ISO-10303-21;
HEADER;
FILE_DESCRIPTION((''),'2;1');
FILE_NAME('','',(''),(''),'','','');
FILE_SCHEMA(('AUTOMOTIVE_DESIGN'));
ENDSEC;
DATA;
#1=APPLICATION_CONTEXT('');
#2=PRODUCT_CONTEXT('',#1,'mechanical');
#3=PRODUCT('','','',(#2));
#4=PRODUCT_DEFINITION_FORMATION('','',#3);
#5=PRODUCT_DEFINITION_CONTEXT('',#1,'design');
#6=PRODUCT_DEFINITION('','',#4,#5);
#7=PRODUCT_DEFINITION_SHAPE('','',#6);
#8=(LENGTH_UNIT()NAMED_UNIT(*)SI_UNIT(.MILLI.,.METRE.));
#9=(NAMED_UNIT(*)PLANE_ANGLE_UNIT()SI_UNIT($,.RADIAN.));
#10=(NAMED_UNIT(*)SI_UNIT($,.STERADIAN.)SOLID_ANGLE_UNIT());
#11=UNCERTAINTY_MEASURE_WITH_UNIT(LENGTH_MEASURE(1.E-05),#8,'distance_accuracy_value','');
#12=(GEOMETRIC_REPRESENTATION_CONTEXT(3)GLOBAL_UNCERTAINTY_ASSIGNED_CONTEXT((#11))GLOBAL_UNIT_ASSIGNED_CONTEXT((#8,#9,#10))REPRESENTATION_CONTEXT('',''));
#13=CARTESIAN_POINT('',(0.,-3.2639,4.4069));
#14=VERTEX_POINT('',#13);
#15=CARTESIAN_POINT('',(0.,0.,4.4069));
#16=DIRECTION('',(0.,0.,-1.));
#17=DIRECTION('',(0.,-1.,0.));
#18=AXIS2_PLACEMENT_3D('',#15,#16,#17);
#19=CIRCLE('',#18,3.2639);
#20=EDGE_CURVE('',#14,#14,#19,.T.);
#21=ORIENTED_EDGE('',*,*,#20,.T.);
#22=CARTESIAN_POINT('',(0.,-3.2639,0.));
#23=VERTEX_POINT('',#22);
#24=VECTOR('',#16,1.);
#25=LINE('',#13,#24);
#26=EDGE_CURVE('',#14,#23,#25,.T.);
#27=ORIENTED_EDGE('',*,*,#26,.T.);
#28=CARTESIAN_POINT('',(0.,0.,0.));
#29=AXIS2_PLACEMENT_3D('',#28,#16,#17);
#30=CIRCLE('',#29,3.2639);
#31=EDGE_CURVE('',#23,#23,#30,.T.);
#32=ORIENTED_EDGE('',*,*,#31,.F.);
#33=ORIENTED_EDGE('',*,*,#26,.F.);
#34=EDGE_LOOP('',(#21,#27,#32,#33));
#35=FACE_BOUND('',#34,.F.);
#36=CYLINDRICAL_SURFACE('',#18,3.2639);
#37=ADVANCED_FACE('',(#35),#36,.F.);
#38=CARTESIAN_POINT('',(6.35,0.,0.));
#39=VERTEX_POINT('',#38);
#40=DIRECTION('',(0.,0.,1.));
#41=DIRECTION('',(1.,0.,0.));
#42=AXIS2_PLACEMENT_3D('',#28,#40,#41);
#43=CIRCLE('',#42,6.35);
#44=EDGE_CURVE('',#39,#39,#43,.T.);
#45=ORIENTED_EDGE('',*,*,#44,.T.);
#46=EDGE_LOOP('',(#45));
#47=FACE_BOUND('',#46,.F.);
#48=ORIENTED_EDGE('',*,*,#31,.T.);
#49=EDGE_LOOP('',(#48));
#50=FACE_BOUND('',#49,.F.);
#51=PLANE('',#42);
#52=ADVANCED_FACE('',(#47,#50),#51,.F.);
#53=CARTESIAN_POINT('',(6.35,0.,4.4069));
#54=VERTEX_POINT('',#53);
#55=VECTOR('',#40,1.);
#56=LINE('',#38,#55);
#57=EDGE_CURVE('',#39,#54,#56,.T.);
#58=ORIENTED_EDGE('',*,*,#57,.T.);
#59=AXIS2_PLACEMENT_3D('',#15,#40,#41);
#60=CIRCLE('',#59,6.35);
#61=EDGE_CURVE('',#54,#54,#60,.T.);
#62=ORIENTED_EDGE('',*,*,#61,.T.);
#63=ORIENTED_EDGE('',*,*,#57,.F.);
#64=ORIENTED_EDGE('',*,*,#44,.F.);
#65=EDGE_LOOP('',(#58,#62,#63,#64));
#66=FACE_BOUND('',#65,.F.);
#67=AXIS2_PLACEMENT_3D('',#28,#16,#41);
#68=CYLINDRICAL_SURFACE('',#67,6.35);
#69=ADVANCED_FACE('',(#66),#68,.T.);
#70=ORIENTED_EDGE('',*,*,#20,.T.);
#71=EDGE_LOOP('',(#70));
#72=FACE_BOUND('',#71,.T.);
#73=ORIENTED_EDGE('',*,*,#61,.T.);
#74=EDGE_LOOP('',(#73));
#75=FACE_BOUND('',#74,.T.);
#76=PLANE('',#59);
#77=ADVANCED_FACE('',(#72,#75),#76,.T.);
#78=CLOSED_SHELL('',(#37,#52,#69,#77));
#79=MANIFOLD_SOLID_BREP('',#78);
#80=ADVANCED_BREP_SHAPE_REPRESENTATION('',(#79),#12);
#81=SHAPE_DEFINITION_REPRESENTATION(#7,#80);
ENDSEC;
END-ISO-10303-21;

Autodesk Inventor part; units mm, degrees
ref_plane "YZ Plane" through (0, 0, 0) normal (1, 0, 0) x (0, 1, 0)
ref_plane "XZ Plane" through (0, 0, 0) normal (0, 1, 0) x (-1, 0, 0)
ref_plane "XY Plane" through (0, 0, 0) normal (0, 0, 1) x (1, 0, 0)
sketch "Sketch1" plane through (0, 0, 0) normal (0, 0, 1) x (1, 0, 0)
  circle A0 centre (0, 0) radius 6.35
  dimension "d0" = 12.7
extrude "Extrusion1" add sketch "Sketch1" along normal blind 4.4069
sketch "Sketch2" plane through (0, 0, 4.4069) normal (0, 0, 1) x (1, 0, 0)
  circle A0 centre (0, 0) radius 6.35 projected
hole "Hole1" at (0, 0, 4.4069) direction (0, 0, -1) diameter 6.5278 end through all clearance for "Socket Head Cap Screw" size "1/4" standard "Ansi Unified Screw Threads"
properties part number "Ratchet Spacer"
